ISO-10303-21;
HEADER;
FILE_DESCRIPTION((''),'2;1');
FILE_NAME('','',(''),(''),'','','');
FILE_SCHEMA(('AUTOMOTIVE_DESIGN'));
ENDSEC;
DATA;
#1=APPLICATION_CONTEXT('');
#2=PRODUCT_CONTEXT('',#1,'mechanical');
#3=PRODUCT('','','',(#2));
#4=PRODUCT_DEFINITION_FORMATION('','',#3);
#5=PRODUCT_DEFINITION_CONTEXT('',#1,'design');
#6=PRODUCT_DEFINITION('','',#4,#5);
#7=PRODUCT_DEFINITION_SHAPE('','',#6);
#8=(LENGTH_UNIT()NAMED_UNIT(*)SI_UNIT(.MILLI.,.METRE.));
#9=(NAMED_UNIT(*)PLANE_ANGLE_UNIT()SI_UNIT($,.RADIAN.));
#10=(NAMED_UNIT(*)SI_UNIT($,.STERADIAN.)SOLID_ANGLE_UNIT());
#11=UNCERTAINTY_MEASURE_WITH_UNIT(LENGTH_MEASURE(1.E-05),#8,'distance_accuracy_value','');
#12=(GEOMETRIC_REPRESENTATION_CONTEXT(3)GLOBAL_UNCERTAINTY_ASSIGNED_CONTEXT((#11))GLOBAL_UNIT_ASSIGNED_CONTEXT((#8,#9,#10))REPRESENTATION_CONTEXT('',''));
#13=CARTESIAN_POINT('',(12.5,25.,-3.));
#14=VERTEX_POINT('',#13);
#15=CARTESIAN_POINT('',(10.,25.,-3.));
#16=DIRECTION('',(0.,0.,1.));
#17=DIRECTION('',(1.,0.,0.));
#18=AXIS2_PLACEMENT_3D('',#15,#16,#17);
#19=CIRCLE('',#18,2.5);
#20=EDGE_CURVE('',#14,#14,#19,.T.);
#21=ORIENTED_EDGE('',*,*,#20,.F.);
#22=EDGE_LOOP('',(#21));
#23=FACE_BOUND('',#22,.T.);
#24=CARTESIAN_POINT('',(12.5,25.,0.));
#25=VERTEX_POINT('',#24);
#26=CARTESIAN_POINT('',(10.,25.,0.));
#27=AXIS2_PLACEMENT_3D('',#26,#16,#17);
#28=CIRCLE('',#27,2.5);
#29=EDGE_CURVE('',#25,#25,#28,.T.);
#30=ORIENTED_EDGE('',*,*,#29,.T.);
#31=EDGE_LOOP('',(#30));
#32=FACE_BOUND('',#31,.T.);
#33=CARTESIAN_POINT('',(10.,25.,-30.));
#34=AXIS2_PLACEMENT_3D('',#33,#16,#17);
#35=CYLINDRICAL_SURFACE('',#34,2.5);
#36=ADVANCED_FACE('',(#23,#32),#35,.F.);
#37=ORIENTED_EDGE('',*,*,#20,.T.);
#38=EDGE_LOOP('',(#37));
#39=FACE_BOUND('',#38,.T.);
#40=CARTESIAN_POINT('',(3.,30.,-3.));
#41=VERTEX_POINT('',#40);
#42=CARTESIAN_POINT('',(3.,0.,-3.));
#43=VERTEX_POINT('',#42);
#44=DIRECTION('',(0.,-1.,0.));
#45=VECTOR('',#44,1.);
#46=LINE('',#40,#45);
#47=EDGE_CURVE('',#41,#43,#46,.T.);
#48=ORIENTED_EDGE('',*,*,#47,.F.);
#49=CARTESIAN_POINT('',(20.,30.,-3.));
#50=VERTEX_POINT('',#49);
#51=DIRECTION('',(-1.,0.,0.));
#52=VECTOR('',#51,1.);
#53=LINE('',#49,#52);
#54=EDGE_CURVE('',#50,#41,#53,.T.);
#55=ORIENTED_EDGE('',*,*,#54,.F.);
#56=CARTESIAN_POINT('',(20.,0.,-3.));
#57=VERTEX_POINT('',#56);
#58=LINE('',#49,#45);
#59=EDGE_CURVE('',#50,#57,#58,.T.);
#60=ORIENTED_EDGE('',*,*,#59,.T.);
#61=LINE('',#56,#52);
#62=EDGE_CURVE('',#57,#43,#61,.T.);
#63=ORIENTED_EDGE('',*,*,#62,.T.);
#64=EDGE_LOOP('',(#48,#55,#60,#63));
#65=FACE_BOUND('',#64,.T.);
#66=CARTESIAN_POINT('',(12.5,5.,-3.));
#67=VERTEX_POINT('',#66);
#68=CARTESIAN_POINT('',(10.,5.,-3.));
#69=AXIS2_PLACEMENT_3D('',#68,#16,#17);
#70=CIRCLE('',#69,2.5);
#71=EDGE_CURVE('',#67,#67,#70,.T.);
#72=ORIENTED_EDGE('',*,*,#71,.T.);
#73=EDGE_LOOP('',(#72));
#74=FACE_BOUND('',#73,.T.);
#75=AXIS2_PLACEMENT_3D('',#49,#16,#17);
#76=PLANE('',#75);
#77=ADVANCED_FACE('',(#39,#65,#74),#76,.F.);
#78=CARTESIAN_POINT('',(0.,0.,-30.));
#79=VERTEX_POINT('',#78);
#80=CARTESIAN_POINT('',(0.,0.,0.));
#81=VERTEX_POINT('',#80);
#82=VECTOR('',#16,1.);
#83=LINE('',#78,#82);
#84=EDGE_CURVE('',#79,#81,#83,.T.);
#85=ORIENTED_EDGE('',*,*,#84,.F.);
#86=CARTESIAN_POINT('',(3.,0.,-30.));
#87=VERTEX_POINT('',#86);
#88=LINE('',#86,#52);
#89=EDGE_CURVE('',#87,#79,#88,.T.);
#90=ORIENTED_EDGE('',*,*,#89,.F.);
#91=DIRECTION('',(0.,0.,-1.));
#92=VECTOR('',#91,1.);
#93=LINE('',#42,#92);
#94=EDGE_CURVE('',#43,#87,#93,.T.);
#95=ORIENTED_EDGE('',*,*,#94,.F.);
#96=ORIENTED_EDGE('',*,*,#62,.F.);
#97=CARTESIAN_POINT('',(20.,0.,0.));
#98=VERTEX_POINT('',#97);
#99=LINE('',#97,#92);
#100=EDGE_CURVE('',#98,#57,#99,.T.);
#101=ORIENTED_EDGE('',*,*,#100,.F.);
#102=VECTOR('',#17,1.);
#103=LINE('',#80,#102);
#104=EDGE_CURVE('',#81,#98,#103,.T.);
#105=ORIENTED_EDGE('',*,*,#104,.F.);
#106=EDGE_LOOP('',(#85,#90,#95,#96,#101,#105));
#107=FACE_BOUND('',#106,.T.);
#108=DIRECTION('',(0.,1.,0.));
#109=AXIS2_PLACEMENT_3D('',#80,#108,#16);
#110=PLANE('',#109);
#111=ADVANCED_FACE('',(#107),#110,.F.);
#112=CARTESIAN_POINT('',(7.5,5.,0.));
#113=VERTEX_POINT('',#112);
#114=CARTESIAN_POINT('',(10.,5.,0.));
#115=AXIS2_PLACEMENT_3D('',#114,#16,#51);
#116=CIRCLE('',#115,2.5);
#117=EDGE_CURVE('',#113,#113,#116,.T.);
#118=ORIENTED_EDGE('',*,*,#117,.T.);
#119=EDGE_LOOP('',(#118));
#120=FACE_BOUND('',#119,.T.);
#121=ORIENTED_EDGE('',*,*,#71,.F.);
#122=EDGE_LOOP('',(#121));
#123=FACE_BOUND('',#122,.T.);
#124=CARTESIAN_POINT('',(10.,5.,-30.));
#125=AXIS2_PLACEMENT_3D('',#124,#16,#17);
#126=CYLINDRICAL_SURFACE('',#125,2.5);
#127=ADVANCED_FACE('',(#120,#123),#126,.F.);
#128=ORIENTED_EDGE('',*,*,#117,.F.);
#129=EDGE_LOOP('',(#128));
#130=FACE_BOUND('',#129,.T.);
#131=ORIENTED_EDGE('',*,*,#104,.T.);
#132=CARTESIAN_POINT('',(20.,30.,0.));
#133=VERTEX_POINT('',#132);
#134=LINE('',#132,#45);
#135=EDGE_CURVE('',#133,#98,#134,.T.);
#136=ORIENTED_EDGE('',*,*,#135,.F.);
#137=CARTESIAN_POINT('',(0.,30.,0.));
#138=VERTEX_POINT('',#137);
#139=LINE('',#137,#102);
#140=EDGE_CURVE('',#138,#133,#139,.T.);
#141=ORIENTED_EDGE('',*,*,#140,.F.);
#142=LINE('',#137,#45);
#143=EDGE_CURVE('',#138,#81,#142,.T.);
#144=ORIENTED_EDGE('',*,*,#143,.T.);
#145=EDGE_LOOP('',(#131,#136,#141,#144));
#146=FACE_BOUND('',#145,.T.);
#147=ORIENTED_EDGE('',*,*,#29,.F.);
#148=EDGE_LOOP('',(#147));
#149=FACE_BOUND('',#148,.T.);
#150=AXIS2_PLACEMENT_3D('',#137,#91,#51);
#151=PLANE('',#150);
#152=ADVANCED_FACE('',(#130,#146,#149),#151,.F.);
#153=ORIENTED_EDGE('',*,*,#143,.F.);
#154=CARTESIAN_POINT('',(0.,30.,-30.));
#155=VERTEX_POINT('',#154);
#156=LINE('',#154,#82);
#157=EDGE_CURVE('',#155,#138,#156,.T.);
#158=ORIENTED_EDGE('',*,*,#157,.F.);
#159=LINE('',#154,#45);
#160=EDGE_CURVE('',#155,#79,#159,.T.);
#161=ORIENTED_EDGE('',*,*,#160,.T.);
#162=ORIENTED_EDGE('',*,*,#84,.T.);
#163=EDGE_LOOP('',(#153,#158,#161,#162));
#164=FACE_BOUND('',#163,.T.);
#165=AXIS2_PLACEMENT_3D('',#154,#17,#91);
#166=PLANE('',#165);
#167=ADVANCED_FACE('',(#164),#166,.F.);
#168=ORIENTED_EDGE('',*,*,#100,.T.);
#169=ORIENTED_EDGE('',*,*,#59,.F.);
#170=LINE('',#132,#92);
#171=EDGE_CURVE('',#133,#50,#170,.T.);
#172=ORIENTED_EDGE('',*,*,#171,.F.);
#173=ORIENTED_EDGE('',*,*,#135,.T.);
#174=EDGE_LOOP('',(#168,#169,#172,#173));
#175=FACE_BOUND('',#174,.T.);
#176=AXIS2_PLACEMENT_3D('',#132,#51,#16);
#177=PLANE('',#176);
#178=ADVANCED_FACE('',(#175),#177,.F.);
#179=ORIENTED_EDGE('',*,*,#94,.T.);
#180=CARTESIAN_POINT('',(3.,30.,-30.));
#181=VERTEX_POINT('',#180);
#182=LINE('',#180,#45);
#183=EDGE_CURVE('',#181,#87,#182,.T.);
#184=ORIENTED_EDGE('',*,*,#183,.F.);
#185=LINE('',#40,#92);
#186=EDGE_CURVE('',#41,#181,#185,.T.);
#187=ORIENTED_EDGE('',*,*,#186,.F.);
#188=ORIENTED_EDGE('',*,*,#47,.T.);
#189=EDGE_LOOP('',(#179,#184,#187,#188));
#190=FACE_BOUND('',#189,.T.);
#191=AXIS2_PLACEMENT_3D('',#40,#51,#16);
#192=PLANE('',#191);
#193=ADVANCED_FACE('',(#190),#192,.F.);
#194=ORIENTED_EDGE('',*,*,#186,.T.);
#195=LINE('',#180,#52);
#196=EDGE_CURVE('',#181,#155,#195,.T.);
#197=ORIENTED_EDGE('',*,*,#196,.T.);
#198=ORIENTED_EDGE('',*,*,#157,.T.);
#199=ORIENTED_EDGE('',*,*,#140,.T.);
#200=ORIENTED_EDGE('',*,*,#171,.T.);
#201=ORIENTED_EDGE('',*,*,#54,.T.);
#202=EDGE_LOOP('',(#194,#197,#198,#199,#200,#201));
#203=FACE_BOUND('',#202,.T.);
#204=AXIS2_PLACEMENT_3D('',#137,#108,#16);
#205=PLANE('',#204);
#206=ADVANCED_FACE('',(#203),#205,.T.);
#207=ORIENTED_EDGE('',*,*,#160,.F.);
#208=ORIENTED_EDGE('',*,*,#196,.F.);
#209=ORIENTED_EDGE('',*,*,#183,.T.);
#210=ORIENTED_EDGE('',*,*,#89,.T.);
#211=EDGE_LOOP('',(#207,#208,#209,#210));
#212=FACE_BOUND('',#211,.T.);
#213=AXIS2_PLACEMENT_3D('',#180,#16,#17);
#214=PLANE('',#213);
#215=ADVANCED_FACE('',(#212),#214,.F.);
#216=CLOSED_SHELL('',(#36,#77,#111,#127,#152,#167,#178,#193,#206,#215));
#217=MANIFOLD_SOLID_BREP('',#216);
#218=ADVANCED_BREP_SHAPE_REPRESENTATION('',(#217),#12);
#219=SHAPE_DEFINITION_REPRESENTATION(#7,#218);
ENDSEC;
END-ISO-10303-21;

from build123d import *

# Parameters (mm, degrees)
BOSS_EXTRUDE1_DEPTH = 30
SKETCH2_R           = 2.5
CUT_EXTRUDE1_DEPTH  = 31


with BuildPart() as part:
    # Sketch1 → Boss-Extrude1 (new body)
    with BuildSketch(Plane(origin=(0, 0, 0), x_dir=(1, 0, 0), z_dir=(0, 1, 0))):
        Polygon((0, 30), (0, 0), (20, 0), (20, 3), (3, 3), (3, 30), align=None)
    extrude(amount=BOSS_EXTRUDE1_DEPTH)

    # Sketch2 → Cut-Extrude1 (cut, through all)
    with BuildSketch(Plane.XY):
        with Locations((10, 25)):
            Circle(SKETCH2_R)
        with Locations((10, 5)):
            Circle(SKETCH2_R)
    extrude(amount=-CUT_EXTRUDE1_DEPTH, mode=Mode.SUBTRACT)


solid = part.part
